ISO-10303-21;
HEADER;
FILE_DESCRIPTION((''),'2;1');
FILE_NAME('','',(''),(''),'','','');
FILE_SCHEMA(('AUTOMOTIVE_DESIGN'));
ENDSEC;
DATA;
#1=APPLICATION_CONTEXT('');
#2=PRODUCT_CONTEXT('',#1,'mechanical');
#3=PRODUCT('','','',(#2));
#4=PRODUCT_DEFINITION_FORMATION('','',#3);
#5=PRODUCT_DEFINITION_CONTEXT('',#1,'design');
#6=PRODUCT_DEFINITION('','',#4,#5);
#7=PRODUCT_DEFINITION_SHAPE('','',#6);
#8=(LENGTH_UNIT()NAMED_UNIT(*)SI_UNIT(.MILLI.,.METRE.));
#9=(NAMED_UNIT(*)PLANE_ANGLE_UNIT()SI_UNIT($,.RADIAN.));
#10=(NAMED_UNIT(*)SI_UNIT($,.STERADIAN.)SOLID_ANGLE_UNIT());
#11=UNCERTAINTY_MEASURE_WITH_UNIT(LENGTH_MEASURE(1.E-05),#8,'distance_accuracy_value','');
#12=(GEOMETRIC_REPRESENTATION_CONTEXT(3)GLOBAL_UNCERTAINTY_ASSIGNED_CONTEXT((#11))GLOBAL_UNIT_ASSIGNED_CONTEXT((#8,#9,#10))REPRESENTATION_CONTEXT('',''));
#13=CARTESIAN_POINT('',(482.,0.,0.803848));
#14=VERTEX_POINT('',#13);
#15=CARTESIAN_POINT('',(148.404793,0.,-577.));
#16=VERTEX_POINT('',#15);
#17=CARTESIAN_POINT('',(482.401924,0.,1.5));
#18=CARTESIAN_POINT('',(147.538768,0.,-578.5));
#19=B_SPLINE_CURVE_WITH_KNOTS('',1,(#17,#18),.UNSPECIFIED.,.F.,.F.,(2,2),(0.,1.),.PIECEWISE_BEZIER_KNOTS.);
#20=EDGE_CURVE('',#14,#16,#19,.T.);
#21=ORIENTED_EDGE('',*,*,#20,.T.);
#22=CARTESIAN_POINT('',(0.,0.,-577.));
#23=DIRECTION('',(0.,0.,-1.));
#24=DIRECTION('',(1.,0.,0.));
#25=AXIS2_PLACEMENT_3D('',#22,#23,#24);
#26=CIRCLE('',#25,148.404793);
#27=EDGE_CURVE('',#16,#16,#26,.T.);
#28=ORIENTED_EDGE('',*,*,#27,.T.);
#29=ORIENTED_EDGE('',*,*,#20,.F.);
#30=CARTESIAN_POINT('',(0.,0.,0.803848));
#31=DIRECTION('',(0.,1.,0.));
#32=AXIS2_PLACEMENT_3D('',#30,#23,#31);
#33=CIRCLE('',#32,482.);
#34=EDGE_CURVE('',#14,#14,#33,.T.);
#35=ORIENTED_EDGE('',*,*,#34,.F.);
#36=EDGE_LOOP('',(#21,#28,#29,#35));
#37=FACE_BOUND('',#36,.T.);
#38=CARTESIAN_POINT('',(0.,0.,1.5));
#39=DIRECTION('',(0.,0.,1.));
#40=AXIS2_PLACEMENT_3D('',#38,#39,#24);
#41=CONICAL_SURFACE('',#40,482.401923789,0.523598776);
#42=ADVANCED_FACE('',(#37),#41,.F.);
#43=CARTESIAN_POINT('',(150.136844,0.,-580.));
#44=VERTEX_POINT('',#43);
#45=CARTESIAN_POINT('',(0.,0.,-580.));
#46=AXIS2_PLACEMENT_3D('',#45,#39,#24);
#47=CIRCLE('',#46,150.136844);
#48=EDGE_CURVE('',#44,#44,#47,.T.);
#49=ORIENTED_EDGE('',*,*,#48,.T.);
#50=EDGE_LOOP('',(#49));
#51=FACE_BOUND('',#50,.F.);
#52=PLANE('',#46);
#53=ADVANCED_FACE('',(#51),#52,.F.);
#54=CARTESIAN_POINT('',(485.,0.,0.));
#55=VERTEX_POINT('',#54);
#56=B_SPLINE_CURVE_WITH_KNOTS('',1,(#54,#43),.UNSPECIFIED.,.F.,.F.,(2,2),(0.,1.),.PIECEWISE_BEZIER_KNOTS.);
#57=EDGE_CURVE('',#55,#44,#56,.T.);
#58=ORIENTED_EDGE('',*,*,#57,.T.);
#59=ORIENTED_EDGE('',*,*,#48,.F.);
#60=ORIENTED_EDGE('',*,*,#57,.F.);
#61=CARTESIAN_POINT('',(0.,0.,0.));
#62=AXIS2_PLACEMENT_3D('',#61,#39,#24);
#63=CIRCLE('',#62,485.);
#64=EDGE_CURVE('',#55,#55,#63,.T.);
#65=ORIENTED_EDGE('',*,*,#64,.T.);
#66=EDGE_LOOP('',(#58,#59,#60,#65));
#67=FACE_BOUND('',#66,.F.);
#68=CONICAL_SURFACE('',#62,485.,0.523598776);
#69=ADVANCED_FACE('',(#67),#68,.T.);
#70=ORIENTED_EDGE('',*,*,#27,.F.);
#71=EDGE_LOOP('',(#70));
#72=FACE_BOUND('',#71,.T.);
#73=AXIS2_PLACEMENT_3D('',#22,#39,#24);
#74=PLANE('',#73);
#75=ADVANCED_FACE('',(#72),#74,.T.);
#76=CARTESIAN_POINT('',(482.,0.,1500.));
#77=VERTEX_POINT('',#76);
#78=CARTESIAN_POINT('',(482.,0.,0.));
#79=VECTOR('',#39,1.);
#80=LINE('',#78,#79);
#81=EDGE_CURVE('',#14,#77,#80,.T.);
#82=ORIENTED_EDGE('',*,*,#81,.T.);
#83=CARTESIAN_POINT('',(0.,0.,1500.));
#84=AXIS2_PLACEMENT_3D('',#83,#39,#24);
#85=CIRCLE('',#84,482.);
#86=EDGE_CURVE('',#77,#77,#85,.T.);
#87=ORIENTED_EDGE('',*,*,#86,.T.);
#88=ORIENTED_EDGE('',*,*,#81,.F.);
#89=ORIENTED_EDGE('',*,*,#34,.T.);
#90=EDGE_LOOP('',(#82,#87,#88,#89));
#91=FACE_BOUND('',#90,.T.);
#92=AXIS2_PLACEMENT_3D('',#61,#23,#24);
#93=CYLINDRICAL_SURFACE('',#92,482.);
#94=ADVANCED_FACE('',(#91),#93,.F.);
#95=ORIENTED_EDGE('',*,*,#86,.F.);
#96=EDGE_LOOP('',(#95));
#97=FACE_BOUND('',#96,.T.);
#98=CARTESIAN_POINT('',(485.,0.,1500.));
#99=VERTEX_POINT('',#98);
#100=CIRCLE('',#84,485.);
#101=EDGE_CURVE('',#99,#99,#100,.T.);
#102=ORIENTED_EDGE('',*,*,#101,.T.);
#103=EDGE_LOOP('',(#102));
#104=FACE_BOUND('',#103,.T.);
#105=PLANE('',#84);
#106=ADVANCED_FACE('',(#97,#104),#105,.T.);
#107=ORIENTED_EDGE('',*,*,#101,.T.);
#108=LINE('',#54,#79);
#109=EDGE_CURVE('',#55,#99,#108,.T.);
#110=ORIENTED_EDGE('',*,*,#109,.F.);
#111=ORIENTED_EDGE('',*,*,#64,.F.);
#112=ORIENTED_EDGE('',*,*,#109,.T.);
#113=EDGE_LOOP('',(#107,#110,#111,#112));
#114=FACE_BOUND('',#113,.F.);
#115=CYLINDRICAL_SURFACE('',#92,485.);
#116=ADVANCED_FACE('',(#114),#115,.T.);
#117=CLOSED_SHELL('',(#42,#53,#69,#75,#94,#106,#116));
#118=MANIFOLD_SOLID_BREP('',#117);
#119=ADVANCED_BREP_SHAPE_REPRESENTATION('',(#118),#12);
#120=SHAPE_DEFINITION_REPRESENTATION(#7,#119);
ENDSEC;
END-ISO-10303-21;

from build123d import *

# Parameters (mm, degrees)
F0_R          = 485
F1_DEPTH      = 1500
F1_DEPTH_BACK = 580
F1_TAPER_BACK = 30
F2_T          = -3


with BuildPart() as f1:
    # F0 (on Top) → F1 (new body, two sides)
    with BuildSketch(Plane.XY) as f1_sk:
        Circle(F0_R)
    extrude(amount=F1_DEPTH)
    extrude(f1_sk.sketch, amount=-F1_DEPTH_BACK, taper=F1_TAPER_BACK)

    # F2
    f2_openings = [f1.faces().sort_by_distance(p)[0] for p in [
        (0, 0, 1500),
    ]]
    offset(amount=F2_T, openings=f2_openings)


solid = f1.part
